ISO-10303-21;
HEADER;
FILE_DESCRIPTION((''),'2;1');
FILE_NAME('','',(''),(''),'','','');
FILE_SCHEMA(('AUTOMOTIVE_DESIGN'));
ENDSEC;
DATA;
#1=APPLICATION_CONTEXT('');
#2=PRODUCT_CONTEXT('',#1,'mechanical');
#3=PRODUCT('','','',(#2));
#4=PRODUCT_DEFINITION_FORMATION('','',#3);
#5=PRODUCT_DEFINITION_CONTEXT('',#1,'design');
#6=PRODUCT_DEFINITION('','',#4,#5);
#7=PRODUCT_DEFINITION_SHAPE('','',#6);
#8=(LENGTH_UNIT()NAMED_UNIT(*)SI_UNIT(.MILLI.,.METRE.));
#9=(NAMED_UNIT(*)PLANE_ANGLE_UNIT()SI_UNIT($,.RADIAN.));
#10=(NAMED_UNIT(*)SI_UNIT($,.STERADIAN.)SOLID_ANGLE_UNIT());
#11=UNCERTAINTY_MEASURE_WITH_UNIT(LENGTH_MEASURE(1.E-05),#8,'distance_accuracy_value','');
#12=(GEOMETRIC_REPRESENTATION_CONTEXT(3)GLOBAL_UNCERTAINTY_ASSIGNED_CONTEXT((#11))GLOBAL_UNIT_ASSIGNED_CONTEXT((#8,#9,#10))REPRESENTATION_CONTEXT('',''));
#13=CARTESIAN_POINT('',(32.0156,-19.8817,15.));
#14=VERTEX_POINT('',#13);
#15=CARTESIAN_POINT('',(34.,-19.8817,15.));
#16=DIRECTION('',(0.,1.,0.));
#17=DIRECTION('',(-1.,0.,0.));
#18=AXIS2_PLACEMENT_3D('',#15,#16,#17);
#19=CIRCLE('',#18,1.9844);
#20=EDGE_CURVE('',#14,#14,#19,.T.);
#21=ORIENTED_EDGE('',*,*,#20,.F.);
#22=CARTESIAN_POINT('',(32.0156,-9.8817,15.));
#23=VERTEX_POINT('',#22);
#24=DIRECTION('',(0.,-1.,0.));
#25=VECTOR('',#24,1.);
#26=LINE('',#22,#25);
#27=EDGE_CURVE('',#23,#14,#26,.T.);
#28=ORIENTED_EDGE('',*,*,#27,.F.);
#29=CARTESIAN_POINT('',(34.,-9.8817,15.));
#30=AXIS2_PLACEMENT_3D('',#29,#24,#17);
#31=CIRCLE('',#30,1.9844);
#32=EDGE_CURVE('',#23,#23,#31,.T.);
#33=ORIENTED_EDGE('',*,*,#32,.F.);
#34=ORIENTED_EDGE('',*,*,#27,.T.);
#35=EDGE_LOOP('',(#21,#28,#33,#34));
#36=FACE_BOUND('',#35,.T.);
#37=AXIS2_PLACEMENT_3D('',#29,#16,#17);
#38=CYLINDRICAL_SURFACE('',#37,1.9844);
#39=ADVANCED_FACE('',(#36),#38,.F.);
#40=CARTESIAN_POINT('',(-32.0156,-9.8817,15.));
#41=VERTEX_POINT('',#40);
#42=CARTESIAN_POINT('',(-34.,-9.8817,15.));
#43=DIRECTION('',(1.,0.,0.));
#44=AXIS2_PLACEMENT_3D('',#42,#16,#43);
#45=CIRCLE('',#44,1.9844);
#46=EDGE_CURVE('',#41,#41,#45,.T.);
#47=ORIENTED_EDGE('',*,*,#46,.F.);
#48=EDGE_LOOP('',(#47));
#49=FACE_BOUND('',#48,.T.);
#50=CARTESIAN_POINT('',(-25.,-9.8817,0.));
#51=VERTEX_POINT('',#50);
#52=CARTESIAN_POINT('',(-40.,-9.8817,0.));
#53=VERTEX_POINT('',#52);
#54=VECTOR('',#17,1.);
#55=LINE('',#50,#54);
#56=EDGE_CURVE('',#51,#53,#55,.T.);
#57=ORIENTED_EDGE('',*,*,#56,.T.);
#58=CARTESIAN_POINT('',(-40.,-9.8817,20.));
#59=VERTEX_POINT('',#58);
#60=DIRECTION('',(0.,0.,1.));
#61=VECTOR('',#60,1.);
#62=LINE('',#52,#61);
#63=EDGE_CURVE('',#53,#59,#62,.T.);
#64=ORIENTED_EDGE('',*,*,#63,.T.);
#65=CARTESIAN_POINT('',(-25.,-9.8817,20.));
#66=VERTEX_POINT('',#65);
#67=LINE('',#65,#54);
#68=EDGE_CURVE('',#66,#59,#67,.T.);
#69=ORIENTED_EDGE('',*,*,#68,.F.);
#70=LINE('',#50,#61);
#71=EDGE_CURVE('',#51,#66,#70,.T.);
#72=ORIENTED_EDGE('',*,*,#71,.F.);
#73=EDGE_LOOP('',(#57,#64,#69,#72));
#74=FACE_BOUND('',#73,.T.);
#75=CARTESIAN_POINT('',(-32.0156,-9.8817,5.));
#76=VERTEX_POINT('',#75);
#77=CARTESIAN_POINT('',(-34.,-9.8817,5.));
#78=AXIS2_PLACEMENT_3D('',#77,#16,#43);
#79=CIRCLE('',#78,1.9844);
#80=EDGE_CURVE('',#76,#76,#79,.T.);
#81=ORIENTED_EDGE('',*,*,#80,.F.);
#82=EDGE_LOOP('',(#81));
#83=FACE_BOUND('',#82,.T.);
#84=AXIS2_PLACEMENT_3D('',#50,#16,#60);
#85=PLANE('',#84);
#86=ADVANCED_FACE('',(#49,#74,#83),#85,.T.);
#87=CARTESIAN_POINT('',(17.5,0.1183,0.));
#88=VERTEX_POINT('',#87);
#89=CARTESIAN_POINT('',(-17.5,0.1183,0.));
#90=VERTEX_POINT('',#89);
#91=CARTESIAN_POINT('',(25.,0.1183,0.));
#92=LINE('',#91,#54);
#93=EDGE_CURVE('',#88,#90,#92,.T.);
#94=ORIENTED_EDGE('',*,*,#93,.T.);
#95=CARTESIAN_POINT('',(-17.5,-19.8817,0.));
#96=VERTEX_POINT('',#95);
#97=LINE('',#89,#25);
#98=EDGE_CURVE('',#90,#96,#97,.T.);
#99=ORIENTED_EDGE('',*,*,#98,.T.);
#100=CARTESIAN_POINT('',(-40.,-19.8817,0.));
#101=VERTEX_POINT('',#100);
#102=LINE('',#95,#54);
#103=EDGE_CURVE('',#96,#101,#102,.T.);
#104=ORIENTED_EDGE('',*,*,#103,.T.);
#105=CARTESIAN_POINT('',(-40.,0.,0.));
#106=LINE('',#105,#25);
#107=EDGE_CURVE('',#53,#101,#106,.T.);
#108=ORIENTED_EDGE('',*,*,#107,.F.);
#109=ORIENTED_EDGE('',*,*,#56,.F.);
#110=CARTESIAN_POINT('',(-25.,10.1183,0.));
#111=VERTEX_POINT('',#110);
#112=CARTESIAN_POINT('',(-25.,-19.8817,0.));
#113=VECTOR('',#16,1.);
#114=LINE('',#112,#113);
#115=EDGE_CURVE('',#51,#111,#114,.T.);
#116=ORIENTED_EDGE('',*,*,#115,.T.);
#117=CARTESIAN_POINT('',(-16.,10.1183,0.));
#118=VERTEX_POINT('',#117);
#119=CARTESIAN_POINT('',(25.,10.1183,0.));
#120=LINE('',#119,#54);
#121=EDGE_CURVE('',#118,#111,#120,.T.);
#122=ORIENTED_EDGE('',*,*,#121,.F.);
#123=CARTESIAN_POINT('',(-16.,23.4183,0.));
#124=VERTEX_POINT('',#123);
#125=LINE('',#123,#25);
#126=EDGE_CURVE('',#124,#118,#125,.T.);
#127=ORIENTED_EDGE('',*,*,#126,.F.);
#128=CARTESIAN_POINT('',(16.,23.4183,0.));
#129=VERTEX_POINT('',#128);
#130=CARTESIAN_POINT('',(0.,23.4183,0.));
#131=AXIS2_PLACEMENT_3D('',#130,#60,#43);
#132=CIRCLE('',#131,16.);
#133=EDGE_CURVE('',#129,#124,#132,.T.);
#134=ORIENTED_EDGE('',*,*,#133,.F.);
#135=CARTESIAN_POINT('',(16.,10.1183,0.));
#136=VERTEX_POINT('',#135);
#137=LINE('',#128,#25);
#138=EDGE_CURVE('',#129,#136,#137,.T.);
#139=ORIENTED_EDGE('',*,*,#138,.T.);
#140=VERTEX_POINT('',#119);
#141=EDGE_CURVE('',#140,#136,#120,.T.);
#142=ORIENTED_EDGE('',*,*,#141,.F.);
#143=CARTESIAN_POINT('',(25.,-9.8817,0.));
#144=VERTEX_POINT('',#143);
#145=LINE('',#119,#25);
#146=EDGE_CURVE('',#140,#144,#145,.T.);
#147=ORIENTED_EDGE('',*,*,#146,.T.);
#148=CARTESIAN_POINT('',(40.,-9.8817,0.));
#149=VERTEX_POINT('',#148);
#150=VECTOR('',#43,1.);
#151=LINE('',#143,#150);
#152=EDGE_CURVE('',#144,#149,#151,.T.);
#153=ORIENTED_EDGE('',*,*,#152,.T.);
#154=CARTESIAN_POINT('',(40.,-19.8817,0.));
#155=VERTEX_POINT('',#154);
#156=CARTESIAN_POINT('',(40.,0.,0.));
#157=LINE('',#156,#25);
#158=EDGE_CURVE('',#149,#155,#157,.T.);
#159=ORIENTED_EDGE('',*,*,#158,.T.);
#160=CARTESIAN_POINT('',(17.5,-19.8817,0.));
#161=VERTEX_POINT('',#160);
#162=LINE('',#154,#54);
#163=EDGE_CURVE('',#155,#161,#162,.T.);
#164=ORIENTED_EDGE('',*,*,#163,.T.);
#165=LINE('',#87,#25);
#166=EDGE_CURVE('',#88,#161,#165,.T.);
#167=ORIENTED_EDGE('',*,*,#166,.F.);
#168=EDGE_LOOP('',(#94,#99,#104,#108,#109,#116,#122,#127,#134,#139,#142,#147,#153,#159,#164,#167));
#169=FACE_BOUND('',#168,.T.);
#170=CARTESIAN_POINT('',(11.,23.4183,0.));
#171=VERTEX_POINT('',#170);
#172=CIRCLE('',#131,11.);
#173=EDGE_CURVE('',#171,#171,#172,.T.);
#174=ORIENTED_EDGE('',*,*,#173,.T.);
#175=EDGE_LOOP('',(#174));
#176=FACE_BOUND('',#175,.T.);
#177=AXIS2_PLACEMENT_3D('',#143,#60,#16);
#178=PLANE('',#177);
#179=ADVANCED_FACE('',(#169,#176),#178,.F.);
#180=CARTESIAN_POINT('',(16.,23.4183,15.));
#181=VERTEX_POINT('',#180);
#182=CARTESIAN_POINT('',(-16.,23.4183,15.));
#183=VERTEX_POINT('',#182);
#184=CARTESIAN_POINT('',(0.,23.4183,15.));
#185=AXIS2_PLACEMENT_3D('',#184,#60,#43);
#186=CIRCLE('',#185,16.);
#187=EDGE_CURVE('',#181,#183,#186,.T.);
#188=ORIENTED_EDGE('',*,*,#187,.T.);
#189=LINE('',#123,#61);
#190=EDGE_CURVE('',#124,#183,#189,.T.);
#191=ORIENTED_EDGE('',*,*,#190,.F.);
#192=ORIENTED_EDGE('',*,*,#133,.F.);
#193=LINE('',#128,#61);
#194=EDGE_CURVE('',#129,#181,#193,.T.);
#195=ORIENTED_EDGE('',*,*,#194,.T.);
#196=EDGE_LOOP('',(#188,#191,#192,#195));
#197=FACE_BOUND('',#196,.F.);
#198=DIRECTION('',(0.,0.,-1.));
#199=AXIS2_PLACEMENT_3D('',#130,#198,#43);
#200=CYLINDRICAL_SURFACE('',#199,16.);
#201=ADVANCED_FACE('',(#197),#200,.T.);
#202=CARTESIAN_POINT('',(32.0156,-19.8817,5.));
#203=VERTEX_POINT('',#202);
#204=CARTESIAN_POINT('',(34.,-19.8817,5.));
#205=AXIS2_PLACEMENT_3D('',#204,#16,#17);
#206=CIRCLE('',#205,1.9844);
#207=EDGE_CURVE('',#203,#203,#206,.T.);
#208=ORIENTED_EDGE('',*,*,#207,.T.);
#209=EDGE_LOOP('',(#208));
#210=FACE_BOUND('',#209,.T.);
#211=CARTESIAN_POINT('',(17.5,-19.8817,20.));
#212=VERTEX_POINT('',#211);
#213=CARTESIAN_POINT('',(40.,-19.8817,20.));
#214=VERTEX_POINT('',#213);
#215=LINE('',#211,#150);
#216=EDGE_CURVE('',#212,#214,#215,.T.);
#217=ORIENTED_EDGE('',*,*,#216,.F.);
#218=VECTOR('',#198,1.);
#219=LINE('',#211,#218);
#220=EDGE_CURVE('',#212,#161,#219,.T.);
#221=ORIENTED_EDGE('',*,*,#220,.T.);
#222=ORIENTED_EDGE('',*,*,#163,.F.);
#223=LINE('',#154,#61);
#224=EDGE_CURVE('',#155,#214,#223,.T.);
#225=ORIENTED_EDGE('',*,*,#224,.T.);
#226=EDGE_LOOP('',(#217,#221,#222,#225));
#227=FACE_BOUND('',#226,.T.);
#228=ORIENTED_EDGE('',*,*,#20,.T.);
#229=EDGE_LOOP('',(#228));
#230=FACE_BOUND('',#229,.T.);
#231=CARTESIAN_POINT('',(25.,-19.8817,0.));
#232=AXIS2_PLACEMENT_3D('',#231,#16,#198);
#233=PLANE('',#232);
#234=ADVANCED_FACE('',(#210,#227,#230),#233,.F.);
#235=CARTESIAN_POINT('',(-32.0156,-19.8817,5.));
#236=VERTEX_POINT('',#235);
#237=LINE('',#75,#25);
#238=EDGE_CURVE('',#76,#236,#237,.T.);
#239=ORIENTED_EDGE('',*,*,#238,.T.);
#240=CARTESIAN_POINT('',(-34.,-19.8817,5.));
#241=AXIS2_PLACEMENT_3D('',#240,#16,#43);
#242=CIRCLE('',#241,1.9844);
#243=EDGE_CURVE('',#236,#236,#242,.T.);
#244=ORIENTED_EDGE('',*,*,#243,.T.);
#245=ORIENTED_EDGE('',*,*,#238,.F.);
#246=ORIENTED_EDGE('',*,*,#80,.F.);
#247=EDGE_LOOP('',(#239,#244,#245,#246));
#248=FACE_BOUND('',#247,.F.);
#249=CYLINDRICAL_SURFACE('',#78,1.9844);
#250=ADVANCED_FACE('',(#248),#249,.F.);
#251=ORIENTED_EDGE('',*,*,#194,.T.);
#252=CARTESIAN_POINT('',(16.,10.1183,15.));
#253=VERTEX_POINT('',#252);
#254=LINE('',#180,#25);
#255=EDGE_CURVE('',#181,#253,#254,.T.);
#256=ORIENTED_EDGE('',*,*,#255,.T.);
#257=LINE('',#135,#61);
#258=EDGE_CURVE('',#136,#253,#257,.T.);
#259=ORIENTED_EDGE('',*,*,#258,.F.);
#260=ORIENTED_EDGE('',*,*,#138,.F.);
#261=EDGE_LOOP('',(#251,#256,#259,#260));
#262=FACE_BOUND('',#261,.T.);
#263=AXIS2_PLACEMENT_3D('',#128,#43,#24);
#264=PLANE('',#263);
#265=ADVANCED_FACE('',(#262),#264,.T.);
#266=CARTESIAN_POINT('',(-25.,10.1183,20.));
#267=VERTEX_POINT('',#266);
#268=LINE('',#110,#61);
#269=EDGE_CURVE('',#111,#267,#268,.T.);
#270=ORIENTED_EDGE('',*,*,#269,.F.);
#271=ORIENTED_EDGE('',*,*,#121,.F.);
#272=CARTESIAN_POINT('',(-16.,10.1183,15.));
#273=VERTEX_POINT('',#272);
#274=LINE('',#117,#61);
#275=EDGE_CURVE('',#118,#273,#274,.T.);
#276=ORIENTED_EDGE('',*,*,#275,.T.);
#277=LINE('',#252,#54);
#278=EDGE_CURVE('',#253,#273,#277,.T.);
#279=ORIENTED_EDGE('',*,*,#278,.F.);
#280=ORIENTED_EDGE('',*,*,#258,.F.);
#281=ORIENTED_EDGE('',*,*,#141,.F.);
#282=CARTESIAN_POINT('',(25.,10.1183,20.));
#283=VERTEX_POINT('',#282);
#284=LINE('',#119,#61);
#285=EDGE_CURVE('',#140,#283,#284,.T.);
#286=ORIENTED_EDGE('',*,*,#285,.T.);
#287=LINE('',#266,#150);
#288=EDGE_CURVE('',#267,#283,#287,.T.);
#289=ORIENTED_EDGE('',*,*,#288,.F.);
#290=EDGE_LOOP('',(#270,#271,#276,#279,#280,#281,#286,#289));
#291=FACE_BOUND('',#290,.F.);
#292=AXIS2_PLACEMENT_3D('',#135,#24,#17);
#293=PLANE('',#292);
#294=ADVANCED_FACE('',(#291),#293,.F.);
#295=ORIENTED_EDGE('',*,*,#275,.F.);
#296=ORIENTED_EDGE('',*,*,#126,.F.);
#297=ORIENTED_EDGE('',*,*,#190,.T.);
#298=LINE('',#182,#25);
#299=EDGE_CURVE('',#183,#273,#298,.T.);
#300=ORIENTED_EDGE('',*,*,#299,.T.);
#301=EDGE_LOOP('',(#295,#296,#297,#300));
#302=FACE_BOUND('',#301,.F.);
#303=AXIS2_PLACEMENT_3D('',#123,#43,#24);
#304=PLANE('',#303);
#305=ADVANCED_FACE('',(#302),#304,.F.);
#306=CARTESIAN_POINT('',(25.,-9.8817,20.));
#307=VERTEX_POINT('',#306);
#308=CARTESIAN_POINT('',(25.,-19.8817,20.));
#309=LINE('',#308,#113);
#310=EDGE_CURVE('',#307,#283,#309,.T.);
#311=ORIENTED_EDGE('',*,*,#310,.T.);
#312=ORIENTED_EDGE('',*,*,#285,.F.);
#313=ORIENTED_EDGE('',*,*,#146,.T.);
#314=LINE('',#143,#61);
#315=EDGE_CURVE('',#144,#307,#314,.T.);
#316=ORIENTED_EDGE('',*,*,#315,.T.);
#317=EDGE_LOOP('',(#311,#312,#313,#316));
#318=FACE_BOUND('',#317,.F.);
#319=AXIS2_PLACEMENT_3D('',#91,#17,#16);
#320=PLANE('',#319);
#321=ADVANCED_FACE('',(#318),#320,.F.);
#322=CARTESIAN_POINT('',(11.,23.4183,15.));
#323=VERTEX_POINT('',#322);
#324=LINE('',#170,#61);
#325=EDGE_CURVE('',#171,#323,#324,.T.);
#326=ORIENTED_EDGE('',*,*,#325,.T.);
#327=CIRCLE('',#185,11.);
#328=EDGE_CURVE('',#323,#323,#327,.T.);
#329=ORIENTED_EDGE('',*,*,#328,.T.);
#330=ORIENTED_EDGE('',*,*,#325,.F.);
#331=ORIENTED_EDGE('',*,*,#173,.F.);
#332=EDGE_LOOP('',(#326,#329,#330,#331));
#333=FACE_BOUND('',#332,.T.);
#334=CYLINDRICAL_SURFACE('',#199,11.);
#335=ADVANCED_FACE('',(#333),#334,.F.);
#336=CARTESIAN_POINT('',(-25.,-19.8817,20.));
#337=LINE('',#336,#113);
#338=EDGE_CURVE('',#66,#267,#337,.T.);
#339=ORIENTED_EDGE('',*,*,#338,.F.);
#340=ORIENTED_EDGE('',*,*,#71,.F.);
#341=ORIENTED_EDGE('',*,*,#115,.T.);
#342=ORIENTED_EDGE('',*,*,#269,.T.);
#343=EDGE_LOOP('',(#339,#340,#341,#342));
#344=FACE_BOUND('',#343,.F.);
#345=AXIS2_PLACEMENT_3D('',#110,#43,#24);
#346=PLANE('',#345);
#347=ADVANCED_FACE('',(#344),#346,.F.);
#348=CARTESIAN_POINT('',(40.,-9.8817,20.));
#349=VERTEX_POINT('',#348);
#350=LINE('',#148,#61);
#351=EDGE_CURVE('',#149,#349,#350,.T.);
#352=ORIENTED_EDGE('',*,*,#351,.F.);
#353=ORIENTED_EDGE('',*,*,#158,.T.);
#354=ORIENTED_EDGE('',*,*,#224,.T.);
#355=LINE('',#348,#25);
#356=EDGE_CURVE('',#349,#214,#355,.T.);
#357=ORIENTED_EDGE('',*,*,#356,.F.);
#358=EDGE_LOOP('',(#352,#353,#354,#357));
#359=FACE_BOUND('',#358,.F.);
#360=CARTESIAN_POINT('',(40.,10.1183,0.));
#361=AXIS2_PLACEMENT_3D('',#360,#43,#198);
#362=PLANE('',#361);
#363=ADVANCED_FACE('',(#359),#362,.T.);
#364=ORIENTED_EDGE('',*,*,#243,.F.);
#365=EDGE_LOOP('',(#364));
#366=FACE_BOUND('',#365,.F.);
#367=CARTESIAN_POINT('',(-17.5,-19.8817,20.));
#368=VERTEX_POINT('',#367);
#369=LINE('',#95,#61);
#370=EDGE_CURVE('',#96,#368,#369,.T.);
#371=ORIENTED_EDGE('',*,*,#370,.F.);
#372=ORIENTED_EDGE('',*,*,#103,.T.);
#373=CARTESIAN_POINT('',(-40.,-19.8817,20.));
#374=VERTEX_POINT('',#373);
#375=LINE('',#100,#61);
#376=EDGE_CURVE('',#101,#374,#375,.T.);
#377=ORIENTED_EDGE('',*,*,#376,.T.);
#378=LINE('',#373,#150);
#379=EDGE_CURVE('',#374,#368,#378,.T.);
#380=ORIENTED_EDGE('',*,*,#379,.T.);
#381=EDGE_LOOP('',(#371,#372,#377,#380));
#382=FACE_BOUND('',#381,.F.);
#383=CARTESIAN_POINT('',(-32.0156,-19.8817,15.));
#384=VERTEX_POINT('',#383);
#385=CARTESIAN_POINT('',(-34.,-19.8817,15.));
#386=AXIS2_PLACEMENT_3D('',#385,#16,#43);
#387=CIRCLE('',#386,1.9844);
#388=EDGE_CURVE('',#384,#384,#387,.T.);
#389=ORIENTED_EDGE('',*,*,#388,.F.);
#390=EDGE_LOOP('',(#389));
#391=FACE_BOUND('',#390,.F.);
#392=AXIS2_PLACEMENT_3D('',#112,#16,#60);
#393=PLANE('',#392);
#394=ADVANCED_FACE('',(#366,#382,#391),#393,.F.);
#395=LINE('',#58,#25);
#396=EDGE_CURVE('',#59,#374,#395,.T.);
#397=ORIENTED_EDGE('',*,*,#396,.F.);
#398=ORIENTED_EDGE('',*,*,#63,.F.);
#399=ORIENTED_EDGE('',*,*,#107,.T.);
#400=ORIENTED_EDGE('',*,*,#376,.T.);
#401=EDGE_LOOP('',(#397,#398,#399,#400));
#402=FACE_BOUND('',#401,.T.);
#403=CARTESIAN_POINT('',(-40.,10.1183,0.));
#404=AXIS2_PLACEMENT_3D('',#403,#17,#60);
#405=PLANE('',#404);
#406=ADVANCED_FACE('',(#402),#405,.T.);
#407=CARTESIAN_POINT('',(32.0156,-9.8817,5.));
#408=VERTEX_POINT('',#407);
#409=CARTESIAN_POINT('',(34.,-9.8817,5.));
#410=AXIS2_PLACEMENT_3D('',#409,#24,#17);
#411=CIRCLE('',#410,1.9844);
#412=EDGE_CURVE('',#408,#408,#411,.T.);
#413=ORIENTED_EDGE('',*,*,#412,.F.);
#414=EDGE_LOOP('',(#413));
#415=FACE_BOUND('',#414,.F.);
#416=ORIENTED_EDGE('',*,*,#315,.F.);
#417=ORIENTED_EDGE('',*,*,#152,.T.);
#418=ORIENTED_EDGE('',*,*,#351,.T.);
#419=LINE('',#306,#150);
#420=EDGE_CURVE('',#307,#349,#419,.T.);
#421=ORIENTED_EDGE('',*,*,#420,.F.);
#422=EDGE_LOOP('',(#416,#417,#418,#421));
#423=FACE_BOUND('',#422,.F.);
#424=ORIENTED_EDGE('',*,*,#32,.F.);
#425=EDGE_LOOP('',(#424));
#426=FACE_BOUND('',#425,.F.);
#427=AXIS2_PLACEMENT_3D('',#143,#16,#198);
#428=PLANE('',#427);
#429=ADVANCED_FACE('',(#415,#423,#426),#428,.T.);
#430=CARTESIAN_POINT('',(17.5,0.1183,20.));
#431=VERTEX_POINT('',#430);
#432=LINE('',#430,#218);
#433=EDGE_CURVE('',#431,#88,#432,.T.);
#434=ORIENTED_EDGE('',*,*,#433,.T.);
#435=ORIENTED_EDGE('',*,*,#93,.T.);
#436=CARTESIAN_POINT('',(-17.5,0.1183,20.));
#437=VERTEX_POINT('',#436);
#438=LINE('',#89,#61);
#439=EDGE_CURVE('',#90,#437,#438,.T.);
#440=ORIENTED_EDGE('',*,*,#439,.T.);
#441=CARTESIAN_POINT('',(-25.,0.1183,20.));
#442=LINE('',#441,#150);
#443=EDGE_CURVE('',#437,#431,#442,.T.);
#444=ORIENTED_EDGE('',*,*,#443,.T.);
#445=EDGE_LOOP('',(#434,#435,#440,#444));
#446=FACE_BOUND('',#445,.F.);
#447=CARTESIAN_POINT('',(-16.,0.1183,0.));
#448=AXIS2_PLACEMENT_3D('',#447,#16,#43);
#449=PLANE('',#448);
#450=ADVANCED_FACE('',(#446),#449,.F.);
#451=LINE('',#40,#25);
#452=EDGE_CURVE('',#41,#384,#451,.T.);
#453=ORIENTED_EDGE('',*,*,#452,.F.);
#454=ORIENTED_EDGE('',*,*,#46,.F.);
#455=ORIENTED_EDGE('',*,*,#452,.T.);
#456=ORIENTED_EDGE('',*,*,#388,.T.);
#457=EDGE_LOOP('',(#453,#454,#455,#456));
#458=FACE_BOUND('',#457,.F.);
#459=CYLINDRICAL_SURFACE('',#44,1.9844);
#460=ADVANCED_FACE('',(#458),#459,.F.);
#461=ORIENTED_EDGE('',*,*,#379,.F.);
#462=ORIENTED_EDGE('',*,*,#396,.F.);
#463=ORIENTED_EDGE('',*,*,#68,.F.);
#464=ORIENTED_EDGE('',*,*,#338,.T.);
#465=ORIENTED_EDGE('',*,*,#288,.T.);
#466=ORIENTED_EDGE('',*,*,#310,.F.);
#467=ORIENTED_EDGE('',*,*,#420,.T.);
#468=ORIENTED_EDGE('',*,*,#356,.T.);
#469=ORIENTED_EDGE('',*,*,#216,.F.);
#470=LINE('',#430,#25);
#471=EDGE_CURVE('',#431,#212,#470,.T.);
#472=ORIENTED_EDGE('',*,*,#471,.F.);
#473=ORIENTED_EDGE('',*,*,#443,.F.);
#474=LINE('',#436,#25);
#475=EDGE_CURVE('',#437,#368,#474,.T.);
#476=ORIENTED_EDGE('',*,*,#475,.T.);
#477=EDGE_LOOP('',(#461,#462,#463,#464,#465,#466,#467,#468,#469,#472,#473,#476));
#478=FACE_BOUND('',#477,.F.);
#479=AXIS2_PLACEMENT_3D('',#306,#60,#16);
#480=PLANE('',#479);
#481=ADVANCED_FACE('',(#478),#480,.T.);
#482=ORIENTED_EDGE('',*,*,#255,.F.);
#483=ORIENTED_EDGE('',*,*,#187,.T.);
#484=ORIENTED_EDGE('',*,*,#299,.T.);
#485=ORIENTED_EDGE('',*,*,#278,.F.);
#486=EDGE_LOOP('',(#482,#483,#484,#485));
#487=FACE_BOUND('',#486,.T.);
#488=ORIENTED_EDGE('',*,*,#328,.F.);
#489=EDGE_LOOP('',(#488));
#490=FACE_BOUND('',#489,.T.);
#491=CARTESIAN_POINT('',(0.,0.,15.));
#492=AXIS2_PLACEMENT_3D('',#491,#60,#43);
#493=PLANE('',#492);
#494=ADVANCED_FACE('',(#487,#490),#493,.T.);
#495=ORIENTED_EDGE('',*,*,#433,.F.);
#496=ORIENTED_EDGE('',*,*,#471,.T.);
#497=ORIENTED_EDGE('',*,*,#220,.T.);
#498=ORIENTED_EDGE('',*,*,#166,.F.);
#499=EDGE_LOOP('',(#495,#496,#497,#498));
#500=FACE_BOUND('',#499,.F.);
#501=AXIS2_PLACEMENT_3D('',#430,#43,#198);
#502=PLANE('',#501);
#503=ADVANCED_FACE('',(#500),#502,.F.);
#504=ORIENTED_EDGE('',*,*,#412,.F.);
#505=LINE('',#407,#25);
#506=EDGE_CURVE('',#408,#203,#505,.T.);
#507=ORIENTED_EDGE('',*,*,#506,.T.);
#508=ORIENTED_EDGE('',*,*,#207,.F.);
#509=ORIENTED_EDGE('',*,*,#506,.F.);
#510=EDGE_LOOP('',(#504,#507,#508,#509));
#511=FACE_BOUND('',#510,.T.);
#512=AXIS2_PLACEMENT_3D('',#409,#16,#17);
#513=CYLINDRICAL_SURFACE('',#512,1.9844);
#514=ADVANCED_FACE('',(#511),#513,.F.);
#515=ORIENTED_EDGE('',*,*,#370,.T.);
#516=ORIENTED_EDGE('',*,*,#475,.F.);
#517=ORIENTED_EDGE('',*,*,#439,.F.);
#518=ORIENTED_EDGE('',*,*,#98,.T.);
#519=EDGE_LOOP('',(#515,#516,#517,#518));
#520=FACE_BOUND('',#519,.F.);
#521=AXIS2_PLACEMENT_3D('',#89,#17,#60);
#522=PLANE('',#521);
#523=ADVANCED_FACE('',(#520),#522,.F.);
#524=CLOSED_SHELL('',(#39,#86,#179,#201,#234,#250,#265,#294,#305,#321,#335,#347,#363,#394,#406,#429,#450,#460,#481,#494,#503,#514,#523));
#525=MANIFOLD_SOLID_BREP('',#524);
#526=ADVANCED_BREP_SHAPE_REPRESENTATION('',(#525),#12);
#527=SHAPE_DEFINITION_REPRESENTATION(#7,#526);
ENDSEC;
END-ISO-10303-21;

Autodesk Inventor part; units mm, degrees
ref_plane "YZ Plane" through (0, 0, 0) normal (1, 0, 0) x (0, 1, 0)
ref_plane "XZ Plane" through (0, 0, 0) normal (0, 1, 0) x (-1, 0, 0)
ref_plane "XY Plane" through (0, 0, 0) normal (0, 0, 1) x (1, 0, 0)
sketch "Boceto1" plane through (0, 0, 0) normal (0, 0, 1) x (1, 0, 0)
  circle A0 centre (0, 23.4183) radius 11
  circle A1 centre (0, 23.4183) radius 16
  line L0 (-16, 23.4183) -> (-16, -2.7)
  line L1 (16, 23.4183) -> (16, -2.7)
  line L2 (-25, 0.1183) -> (25, 0.1183)
  line L3 (25, 0.1183) -> (25, 10.1183)
  line L4 (25, 10.1183) -> (-25, 10.1183)
  line L5 (-25, 10.1183) -> (-25, 0.1183)
  point P0 (0, 0)
  point P1 (0, 0.1183)
  point P2 (-16, 10.1183)
  point P3 (16, 10.1183)
  dimension "d0" = 22
  dimension "d1" = 32
  dimension "d2" = 50
  dimension "d11" = 10
  dimension "d23" = 23.3
extrude "Extrusión1" add sketch "Boceto1" along normal blind 20 contours L4 L1 L2 L0 A1 | A1 L4 | L4 L3 L2 L1 | L0 L2 L5 L4 picked at (-1.8471, 9.5484)
extrude "Extrusión2" add sketch "Boceto1" along normal blind 15 contours A1 L4 | L1 L4 A1 | A1 L4 L0 picked at (0.442, 10.9117)
sketch "Boceto3" plane through (-25, 0.1183, 0) normal (0, -1, 0) x (1, 0, 0)
  line L0 (0, 20) -> (50, 20) projected
  line L1 (7.5, 20) -> (42.5, 20)
  line L2 (42.5, 20) -> (42.5, 0)
  line L3 (42.5, 0) -> (7.5, 0)
  line L4 (7.5, 0) -> (7.5, 20)
  line L5 (0, 0) -> (50, 0) projected
  line L6 (0, 0) -> (50, 0) projected
  line L7 (50, 0) -> (50, 20) projected
  line L8 (0, 20) -> (50, 20) projected
  line L9 (0, 0) -> (0, 20) projected
  point P0 (25, 0)
  point P1 (25, 20)
  point P2 (25, 0)
  dimension "d8" = 35
extrude "Extrusión3" add sketch "Boceto3" along normal blind 20 contours L0 L4 L5 L9 | L0 L7 L5 L2
sketch "Boceto4" plane through (-25, 10.1183, 0) normal (-1, 0, 0) x (0, 0, 1)
  line L0 (0, -10.1183) -> (0, -30) projected
  line L1 (0, -30) -> (20, -30) projected
  line L2 (0, -20) -> (20, -20)
  line L3 (20, -20) -> (20, -30)
  line L4 (20, -30) -> (0, -30)
  line L5 (0, -30) -> (0, -20)
  dimension "d12" = 10
extrude "Extrusión4" add sketch "Boceto4" along normal blind 15
mirror "Simetría1" about plane through (0, 0, 0) normal (1, 0, 0) of "Extrusión4"
sketch "Boceto5" plane through (-25, -9.8817, 20) normal (0, 1, 0) x (1, 0, 0)
  circle A0 centre (-9, 15) radius 1.9844
  circle A1 centre (-9, 5) radius 1.9844
  line L0 (0, 20) -> (-15, 20) projected
  line L1 (0, 0) -> (-15, 0) projected
  line L2 (-15, 0) -> (-15, 20) projected
  point P0 (25, 20)
  dimension "d15" = 3.9688
  dimension "d16" = 3.9688
  dimension "d17" = 5
  dimension "d18" = 5
  dimension "d19" = 6
  dimension "d20" = 6
extrude "Extrusión5" cut sketch "Boceto5" against normal through all
mirror "Simetría2" about plane through (0, 0, 0) normal (1, 0, 0) of "Extrusión5"
properties part number "soporte_balineras"
